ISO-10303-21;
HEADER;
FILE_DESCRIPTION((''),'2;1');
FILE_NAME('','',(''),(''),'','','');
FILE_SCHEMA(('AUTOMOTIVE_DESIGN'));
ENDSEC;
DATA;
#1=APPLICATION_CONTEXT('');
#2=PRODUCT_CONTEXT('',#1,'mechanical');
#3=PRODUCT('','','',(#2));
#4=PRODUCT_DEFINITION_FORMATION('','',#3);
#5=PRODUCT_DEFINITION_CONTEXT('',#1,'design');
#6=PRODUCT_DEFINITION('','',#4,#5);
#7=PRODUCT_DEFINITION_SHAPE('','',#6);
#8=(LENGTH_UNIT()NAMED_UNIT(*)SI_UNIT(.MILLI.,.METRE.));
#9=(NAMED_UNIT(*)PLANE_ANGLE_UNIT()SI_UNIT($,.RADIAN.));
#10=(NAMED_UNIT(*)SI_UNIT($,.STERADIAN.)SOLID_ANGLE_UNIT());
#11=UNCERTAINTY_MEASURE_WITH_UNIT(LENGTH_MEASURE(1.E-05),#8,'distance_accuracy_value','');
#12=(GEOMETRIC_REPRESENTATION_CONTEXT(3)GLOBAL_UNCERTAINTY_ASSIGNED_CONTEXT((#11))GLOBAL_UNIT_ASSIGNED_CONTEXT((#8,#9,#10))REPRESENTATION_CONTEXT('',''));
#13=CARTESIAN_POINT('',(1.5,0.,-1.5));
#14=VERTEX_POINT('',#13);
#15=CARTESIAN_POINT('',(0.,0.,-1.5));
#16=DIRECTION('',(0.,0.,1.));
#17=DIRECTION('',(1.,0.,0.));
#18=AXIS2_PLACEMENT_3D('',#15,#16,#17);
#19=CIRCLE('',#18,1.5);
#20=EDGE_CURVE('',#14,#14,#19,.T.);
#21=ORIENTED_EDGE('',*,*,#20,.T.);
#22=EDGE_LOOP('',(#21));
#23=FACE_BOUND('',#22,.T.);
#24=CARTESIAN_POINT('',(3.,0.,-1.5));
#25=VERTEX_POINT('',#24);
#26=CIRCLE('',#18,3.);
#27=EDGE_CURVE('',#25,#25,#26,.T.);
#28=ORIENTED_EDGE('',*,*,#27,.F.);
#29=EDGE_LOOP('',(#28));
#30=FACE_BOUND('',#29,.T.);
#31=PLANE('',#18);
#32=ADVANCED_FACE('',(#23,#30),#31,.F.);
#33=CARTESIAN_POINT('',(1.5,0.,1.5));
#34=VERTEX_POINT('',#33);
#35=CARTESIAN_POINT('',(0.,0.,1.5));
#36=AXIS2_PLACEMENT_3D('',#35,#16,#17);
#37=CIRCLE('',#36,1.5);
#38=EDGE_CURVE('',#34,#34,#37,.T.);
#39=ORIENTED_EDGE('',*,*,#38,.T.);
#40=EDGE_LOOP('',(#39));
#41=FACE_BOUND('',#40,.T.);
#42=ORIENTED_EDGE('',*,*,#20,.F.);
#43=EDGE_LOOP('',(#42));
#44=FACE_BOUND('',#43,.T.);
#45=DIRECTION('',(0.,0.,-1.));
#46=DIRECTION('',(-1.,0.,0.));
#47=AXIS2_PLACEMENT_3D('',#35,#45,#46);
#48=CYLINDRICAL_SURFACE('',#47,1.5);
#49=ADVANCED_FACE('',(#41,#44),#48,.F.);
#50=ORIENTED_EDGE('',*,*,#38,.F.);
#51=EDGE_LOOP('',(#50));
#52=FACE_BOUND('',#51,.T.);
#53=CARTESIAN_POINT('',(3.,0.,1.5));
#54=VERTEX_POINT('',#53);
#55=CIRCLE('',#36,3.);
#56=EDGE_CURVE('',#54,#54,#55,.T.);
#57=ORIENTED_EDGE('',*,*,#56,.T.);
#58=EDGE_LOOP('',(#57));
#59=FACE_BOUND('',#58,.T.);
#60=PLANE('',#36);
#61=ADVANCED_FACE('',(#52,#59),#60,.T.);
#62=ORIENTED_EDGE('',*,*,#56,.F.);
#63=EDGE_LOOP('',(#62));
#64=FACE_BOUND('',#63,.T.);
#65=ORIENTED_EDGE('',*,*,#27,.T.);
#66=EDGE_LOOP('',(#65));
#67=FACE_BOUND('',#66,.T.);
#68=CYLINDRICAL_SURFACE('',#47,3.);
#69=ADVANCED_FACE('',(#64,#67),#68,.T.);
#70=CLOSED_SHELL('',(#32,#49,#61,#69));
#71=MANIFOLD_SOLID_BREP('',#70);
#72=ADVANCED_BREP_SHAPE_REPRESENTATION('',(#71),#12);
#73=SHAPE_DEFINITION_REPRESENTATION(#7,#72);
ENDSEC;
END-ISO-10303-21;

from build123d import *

# Parameters (mm, degrees)
SKETCH1_R           = 3
SKETCH1_R_2         = 1.5
BOSS_EXTRUDE1_DEPTH = 1.5


with BuildPart() as part:
    # Sketch1 → Boss-Extrude1 (new body, symmetric)
    with BuildSketch(Plane.XY):
        Circle(SKETCH1_R)
        Circle(SKETCH1_R_2, mode=Mode.SUBTRACT)
    extrude(amount=BOSS_EXTRUDE1_DEPTH, both=True)


solid = part.part
